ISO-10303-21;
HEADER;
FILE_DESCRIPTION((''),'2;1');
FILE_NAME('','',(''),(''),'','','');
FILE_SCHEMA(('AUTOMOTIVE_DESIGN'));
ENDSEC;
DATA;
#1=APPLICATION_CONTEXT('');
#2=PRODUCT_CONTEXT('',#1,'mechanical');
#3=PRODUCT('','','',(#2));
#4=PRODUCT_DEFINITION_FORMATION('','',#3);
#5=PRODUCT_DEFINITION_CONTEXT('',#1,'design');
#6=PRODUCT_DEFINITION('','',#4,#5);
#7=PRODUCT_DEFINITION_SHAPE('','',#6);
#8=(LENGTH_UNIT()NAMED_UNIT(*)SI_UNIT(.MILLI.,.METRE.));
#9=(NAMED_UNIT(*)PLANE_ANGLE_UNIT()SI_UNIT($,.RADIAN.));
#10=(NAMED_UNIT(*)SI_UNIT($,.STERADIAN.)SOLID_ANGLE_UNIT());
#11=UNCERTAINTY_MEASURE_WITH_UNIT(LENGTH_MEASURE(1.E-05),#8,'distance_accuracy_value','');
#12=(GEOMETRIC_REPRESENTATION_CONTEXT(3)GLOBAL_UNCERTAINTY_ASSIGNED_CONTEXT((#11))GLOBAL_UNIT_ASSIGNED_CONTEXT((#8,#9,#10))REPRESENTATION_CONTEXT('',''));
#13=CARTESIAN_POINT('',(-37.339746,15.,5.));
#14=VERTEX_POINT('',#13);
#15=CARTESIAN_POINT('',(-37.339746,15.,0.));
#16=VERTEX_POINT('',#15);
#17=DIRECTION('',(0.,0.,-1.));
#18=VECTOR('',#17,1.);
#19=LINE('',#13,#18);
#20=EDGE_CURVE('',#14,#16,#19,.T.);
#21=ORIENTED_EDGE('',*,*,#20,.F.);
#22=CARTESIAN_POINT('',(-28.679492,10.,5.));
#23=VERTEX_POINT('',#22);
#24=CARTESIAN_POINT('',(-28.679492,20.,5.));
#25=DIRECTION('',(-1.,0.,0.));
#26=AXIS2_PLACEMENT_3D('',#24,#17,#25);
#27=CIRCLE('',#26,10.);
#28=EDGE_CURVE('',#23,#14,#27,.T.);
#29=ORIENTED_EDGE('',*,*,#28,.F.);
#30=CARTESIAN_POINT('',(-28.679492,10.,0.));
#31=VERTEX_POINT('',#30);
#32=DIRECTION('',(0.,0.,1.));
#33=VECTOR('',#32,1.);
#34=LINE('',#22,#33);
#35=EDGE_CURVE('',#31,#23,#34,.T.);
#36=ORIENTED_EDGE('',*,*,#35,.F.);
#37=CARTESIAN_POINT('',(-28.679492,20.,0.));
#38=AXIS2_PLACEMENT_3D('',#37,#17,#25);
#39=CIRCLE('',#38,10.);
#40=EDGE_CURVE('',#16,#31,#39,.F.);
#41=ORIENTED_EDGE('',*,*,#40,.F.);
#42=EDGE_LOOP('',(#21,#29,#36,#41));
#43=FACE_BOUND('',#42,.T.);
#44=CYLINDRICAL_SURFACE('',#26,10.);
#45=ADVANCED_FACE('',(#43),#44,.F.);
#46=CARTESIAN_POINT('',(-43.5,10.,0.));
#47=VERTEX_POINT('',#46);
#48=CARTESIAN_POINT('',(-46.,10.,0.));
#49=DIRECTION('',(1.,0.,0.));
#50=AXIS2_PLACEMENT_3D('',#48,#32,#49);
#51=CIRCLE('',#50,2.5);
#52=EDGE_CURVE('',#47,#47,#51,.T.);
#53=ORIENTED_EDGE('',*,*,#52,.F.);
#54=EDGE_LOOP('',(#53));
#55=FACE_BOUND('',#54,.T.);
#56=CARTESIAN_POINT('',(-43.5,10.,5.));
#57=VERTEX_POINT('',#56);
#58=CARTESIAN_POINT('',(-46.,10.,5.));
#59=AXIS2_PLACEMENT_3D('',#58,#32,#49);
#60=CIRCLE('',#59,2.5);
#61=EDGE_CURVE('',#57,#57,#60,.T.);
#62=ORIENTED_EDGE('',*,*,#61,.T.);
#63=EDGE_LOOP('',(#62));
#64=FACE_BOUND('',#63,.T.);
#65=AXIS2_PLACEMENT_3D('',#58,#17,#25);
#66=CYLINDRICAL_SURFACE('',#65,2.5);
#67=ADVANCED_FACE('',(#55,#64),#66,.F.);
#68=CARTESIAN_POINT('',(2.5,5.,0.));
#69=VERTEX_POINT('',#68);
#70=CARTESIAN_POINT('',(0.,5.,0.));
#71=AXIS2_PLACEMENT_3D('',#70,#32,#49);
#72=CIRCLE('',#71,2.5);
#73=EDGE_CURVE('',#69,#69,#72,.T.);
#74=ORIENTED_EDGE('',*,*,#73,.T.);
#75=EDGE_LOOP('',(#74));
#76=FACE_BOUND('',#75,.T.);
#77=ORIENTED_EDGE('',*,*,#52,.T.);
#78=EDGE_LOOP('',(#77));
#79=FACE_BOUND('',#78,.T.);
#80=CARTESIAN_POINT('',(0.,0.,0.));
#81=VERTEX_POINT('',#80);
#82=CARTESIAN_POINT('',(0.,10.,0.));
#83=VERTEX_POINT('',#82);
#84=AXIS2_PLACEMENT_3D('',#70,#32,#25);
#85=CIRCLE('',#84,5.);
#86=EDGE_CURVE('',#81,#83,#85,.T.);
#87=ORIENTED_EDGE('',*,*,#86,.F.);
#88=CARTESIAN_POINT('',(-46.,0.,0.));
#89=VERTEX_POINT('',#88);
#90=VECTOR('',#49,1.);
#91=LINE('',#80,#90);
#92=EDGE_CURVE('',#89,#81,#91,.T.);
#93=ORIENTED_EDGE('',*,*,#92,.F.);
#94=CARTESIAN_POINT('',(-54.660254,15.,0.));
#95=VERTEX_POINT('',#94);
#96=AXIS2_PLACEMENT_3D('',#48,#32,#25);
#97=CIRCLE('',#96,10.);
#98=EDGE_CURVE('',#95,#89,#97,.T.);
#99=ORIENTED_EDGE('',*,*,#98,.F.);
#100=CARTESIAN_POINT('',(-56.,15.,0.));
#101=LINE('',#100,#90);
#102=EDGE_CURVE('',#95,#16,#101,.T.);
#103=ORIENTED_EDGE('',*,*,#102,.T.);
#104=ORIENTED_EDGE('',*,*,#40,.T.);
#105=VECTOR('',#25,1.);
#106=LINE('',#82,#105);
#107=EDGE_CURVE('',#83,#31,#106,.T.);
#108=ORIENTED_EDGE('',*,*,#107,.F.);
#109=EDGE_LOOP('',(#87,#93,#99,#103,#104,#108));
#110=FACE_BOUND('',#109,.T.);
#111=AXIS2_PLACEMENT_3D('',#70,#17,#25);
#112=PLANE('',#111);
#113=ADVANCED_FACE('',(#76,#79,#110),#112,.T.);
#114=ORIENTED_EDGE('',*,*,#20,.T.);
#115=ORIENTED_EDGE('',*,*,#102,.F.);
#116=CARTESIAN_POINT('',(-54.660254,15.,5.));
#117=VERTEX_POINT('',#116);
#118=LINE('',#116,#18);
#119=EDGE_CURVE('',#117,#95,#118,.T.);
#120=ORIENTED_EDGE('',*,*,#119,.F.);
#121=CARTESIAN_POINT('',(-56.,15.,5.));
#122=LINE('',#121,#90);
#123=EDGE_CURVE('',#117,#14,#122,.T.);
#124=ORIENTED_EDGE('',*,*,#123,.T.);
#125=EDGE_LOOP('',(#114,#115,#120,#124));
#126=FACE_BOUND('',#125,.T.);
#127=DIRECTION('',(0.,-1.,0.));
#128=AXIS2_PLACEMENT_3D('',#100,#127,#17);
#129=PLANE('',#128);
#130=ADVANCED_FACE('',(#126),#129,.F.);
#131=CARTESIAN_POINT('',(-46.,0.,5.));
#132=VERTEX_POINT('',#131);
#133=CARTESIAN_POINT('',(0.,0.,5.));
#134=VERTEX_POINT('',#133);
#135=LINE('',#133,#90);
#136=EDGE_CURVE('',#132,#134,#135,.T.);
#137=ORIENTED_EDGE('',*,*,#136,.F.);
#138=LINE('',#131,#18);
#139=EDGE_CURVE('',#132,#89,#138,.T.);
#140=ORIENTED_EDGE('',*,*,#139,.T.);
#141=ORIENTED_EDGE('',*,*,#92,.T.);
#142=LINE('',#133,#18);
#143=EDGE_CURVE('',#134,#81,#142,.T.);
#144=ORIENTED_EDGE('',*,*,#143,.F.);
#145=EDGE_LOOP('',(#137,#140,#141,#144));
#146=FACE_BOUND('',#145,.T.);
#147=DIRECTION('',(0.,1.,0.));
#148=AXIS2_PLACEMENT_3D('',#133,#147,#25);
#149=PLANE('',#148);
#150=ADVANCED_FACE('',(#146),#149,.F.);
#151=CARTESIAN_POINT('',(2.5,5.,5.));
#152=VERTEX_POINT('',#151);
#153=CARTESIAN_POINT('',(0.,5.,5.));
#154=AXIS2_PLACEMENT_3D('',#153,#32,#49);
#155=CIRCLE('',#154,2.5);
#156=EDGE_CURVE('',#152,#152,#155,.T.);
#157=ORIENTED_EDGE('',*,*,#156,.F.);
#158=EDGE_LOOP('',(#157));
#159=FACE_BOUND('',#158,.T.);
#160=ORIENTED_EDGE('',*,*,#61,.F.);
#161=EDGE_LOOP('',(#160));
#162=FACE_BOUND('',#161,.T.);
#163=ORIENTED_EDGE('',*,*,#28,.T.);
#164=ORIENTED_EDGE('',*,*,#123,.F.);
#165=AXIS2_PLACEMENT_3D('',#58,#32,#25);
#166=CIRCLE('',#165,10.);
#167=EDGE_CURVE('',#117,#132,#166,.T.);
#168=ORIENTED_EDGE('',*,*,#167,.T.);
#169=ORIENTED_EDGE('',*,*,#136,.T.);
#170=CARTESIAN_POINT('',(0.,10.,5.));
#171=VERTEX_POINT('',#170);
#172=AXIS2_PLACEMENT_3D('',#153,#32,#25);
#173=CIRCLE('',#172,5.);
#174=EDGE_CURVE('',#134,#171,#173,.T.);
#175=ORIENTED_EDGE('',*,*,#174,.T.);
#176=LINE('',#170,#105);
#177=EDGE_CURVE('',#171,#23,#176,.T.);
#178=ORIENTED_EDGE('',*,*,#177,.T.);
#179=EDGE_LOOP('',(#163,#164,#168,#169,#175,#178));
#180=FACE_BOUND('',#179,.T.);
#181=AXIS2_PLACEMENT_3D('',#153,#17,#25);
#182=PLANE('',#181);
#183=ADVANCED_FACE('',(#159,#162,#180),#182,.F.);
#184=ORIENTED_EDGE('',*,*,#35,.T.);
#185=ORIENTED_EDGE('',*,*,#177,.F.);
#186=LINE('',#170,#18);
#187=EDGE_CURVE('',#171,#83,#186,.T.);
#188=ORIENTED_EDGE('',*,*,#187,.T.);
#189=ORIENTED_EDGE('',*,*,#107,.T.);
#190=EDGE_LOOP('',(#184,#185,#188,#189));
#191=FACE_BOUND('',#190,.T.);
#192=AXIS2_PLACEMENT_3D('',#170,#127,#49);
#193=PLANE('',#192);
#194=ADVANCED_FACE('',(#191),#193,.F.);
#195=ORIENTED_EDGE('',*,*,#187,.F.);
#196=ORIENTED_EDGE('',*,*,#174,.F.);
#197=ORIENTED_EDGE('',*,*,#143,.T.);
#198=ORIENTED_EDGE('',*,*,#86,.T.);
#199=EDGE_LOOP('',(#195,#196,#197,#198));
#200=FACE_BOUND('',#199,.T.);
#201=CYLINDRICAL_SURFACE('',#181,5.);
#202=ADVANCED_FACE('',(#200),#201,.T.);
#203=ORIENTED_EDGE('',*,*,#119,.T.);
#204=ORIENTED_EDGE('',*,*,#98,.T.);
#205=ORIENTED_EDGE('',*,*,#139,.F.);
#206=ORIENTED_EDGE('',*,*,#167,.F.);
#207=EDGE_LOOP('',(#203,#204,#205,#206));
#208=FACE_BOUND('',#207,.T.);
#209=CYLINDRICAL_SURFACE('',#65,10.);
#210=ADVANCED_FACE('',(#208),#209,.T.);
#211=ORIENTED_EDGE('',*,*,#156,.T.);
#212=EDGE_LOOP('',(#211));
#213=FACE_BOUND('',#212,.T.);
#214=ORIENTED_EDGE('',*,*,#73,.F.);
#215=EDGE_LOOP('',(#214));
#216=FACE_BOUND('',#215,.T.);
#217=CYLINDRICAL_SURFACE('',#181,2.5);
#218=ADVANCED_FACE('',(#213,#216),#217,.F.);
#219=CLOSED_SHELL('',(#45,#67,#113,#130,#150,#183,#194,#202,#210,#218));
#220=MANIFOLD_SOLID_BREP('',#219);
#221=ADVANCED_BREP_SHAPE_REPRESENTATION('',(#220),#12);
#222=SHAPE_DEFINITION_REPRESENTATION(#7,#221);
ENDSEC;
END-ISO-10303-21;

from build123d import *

# Parameters (mm, degrees)
ESQUISSE1_R             = 2.5
BOSS_EXTRU_1_DEPTH      = 5
CONG_1_R                = 10
ESQUISSE2_W             = 18.660254038
ESQUISSE2_H             = 5
ENL_V_MAT_EXTRU_1_DEPTH = 5


with BuildPart() as part:
    # Esquisse1 → Boss.-Extru.1 (new body)
    with BuildSketch(Plane.XY):
        with BuildLine():
            Line((0, 0), (-46, 0))
            ThreePointArc((-46, 0), (-53.071067812, 17.071067812), (-36, 10))
            Line((-36, 10), (0, 10))
            ThreePointArc((0, 10), (5, 5), (0, 0))
        make_face()
        with Locations((-46, 10)):
            Circle(ESQUISSE1_R, mode=Mode.SUBTRACT)
        with Locations((0, 5)):
            Circle(ESQUISSE1_R, mode=Mode.SUBTRACT)
    extrude(amount=BOSS_EXTRU_1_DEPTH)

    # Congé1
    cong_1_edges = [part.edges().sort_by_distance(p)[0] for p in [
        (-36, 10, 2.5),
    ]]
    fillet(cong_1_edges, radius=CONG_1_R)

    # Esquisse2 → Enlèv. mat.-Extru.1 (cut)
    with BuildSketch(Plane.XY.offset(5)):
        with Locations((-46.669872981, 17.5)):
            Rectangle(ESQUISSE2_W, ESQUISSE2_H)
    extrude(amount=-ENL_V_MAT_EXTRU_1_DEPTH, mode=Mode.SUBTRACT)


solid = part.part
